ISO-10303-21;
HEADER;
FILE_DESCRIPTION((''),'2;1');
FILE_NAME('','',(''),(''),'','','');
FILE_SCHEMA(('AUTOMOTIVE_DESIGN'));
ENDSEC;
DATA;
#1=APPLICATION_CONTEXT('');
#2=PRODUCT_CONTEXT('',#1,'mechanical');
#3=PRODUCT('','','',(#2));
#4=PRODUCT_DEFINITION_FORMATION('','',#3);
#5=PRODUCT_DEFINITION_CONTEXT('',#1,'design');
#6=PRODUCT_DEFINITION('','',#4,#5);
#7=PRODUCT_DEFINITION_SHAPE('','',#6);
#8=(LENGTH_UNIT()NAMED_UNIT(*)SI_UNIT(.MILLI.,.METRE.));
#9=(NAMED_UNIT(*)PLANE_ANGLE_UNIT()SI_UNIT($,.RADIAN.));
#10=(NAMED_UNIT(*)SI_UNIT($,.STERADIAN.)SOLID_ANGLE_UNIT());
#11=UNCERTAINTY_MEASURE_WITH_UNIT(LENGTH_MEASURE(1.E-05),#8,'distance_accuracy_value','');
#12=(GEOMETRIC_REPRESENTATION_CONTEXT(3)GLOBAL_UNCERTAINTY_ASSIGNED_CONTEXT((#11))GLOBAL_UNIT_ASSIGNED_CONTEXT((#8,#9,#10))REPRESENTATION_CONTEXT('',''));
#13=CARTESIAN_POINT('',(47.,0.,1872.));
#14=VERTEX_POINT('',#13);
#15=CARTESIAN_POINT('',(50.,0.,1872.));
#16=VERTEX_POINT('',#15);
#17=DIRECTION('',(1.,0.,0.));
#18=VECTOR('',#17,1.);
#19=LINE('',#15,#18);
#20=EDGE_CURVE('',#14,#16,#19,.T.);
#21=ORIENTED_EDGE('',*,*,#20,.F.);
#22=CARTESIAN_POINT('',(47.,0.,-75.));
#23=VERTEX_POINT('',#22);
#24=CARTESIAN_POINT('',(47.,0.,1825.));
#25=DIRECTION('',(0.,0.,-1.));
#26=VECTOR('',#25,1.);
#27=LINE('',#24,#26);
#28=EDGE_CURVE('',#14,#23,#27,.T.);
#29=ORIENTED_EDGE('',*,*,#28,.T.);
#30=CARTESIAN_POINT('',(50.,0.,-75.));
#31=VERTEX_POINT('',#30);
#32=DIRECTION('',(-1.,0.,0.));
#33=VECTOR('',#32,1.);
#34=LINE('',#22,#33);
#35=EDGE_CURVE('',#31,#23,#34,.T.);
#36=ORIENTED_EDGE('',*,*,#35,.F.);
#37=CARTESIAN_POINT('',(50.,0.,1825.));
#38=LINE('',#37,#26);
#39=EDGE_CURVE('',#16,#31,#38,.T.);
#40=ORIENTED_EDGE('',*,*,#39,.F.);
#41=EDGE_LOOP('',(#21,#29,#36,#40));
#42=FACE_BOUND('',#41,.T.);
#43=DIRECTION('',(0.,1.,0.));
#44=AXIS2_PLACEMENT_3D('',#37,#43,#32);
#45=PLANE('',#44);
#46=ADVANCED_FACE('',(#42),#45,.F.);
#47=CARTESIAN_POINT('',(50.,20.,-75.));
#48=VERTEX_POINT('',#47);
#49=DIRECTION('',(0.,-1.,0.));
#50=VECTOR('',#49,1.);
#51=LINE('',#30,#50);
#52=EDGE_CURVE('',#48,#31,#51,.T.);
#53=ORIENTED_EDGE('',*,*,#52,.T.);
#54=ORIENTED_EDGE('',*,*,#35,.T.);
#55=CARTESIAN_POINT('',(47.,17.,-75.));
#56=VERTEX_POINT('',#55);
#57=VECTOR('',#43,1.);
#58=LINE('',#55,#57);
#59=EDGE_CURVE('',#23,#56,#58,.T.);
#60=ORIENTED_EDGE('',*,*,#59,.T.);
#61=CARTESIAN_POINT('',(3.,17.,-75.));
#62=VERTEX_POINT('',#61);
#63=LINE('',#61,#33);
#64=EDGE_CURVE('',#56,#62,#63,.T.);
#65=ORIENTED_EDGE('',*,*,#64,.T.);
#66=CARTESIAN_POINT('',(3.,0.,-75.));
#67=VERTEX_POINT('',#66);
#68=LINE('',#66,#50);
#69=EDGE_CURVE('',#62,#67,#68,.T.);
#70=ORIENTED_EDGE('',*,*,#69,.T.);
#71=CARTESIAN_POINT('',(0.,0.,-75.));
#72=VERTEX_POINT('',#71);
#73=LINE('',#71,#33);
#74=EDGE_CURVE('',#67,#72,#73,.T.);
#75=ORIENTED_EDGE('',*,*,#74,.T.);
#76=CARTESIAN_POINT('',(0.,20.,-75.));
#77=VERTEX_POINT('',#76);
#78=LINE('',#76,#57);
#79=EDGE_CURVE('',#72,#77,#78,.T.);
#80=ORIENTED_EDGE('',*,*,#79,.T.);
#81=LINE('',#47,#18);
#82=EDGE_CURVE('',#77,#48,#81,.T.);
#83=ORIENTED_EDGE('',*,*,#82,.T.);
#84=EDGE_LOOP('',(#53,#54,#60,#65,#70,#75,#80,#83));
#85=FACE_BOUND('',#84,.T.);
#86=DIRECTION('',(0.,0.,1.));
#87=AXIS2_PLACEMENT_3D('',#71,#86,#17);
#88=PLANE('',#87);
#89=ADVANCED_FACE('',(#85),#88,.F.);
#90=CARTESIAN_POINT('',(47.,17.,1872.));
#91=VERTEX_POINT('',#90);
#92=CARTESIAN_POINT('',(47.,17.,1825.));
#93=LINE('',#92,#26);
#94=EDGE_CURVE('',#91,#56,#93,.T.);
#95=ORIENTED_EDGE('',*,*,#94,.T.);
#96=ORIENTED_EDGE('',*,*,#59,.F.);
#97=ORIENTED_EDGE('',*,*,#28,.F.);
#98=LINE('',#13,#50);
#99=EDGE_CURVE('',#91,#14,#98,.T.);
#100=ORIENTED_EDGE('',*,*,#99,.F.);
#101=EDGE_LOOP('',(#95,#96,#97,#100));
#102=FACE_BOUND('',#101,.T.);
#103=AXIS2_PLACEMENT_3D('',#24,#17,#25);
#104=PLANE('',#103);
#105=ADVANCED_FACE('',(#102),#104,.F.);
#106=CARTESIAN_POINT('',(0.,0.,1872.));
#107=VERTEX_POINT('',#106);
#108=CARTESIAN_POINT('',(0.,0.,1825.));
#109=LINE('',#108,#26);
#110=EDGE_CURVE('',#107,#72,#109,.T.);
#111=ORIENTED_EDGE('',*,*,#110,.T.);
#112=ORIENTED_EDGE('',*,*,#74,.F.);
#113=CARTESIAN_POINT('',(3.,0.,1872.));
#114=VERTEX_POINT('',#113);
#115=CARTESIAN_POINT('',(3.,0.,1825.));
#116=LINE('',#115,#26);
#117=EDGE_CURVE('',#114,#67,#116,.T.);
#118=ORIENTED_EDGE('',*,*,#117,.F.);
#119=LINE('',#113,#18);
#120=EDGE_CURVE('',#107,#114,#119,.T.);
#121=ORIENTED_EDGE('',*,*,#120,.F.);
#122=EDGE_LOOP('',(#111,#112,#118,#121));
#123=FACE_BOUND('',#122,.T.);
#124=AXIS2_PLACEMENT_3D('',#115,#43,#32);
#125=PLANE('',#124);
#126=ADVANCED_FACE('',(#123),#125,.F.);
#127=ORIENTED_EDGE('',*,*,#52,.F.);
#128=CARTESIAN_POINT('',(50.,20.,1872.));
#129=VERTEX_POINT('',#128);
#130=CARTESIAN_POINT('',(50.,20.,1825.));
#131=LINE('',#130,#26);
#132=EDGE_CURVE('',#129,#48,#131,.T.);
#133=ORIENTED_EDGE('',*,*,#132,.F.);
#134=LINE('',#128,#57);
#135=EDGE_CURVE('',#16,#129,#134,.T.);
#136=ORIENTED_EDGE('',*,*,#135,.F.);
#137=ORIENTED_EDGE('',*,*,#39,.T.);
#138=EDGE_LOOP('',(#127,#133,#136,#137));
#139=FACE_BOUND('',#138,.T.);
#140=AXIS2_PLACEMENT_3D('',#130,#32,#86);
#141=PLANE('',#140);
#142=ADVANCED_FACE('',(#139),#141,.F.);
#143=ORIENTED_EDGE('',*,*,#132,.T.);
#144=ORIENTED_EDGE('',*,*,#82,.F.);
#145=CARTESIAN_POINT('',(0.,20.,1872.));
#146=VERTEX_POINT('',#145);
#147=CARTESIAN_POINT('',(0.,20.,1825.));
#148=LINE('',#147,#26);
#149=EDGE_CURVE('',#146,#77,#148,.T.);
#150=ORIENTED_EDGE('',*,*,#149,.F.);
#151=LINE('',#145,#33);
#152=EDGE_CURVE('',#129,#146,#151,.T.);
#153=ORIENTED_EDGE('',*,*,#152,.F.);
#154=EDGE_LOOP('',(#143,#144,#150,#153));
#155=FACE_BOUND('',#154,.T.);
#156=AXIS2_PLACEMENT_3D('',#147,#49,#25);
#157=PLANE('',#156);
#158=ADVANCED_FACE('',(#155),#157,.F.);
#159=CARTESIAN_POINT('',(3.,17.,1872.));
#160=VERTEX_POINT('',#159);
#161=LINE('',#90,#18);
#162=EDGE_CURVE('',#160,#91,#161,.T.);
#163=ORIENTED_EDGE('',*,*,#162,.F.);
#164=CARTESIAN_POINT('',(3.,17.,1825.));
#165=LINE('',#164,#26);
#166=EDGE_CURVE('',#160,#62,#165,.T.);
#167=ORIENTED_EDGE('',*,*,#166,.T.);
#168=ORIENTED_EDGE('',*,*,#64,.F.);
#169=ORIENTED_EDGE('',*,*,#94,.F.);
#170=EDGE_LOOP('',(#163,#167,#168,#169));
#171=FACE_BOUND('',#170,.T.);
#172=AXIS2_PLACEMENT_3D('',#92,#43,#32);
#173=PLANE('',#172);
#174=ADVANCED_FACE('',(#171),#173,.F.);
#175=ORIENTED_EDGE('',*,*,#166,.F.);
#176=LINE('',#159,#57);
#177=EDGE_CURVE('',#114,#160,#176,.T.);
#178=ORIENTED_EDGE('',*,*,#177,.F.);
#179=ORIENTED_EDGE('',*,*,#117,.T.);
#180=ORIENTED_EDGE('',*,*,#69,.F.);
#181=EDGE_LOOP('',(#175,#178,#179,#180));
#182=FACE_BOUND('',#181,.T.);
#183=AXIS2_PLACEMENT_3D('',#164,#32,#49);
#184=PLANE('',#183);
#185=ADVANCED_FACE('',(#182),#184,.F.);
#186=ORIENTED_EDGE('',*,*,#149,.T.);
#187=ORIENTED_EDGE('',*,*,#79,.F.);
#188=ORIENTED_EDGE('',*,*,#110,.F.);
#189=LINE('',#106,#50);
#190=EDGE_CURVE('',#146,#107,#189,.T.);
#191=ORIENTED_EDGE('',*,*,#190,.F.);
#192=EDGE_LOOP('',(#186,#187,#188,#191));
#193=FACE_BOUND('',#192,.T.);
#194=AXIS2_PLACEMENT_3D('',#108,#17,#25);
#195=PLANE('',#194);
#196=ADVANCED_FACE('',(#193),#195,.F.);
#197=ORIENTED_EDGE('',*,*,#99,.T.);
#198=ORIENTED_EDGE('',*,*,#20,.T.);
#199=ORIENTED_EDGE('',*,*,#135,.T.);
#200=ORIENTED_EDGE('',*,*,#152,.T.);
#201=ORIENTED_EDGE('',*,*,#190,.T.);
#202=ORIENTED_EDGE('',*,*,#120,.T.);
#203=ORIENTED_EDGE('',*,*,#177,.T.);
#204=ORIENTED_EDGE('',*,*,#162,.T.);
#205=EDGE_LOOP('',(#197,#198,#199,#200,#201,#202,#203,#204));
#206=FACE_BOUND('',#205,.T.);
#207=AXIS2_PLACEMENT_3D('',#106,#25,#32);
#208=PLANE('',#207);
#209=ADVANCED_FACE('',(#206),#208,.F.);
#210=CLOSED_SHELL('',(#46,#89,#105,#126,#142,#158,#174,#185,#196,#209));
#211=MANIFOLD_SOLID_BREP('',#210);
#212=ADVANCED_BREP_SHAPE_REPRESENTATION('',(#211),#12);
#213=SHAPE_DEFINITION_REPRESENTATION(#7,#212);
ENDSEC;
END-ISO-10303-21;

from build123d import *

# Parameters (mm, degrees)
BOSS_EXTRUDE1_DEPTH = 1825
DOWN_DEPTH          = 47
UP_DEPTH            = 75


with BuildPart() as part:
    # Sketch1 → Boss-Extrude1 (new body)
    with BuildSketch(Plane.XY):
        Polygon((0, 0), (0, 20), (50, 20), (50, 0), (47, 0), (47, 17), (3, 17), (3, 0), align=None)
    extrude(amount=BOSS_EXTRUDE1_DEPTH)

    # Sketch2 → Down (add)
    with BuildSketch(Plane.XY.offset(1825)):
        Polygon((0, 0), (0, 20), (50, 20), (50, 0), (47, 0), (47, 17), (3, 17), (3, 0), align=None)
    extrude(amount=DOWN_DEPTH)

    # Sketch3 → Up (add)
    with BuildSketch(Plane(origin=(0, 0, 0), x_dir=(-1, 0, 0), z_dir=(0, 0, -1))):
        Polygon((-50, 0), (-50, 20), (0, 20), (0, 0), (-3, 0), (-3, 17), (-47, 17), (-47, 0), align=None)
    extrude(amount=UP_DEPTH)


solid = part.part
